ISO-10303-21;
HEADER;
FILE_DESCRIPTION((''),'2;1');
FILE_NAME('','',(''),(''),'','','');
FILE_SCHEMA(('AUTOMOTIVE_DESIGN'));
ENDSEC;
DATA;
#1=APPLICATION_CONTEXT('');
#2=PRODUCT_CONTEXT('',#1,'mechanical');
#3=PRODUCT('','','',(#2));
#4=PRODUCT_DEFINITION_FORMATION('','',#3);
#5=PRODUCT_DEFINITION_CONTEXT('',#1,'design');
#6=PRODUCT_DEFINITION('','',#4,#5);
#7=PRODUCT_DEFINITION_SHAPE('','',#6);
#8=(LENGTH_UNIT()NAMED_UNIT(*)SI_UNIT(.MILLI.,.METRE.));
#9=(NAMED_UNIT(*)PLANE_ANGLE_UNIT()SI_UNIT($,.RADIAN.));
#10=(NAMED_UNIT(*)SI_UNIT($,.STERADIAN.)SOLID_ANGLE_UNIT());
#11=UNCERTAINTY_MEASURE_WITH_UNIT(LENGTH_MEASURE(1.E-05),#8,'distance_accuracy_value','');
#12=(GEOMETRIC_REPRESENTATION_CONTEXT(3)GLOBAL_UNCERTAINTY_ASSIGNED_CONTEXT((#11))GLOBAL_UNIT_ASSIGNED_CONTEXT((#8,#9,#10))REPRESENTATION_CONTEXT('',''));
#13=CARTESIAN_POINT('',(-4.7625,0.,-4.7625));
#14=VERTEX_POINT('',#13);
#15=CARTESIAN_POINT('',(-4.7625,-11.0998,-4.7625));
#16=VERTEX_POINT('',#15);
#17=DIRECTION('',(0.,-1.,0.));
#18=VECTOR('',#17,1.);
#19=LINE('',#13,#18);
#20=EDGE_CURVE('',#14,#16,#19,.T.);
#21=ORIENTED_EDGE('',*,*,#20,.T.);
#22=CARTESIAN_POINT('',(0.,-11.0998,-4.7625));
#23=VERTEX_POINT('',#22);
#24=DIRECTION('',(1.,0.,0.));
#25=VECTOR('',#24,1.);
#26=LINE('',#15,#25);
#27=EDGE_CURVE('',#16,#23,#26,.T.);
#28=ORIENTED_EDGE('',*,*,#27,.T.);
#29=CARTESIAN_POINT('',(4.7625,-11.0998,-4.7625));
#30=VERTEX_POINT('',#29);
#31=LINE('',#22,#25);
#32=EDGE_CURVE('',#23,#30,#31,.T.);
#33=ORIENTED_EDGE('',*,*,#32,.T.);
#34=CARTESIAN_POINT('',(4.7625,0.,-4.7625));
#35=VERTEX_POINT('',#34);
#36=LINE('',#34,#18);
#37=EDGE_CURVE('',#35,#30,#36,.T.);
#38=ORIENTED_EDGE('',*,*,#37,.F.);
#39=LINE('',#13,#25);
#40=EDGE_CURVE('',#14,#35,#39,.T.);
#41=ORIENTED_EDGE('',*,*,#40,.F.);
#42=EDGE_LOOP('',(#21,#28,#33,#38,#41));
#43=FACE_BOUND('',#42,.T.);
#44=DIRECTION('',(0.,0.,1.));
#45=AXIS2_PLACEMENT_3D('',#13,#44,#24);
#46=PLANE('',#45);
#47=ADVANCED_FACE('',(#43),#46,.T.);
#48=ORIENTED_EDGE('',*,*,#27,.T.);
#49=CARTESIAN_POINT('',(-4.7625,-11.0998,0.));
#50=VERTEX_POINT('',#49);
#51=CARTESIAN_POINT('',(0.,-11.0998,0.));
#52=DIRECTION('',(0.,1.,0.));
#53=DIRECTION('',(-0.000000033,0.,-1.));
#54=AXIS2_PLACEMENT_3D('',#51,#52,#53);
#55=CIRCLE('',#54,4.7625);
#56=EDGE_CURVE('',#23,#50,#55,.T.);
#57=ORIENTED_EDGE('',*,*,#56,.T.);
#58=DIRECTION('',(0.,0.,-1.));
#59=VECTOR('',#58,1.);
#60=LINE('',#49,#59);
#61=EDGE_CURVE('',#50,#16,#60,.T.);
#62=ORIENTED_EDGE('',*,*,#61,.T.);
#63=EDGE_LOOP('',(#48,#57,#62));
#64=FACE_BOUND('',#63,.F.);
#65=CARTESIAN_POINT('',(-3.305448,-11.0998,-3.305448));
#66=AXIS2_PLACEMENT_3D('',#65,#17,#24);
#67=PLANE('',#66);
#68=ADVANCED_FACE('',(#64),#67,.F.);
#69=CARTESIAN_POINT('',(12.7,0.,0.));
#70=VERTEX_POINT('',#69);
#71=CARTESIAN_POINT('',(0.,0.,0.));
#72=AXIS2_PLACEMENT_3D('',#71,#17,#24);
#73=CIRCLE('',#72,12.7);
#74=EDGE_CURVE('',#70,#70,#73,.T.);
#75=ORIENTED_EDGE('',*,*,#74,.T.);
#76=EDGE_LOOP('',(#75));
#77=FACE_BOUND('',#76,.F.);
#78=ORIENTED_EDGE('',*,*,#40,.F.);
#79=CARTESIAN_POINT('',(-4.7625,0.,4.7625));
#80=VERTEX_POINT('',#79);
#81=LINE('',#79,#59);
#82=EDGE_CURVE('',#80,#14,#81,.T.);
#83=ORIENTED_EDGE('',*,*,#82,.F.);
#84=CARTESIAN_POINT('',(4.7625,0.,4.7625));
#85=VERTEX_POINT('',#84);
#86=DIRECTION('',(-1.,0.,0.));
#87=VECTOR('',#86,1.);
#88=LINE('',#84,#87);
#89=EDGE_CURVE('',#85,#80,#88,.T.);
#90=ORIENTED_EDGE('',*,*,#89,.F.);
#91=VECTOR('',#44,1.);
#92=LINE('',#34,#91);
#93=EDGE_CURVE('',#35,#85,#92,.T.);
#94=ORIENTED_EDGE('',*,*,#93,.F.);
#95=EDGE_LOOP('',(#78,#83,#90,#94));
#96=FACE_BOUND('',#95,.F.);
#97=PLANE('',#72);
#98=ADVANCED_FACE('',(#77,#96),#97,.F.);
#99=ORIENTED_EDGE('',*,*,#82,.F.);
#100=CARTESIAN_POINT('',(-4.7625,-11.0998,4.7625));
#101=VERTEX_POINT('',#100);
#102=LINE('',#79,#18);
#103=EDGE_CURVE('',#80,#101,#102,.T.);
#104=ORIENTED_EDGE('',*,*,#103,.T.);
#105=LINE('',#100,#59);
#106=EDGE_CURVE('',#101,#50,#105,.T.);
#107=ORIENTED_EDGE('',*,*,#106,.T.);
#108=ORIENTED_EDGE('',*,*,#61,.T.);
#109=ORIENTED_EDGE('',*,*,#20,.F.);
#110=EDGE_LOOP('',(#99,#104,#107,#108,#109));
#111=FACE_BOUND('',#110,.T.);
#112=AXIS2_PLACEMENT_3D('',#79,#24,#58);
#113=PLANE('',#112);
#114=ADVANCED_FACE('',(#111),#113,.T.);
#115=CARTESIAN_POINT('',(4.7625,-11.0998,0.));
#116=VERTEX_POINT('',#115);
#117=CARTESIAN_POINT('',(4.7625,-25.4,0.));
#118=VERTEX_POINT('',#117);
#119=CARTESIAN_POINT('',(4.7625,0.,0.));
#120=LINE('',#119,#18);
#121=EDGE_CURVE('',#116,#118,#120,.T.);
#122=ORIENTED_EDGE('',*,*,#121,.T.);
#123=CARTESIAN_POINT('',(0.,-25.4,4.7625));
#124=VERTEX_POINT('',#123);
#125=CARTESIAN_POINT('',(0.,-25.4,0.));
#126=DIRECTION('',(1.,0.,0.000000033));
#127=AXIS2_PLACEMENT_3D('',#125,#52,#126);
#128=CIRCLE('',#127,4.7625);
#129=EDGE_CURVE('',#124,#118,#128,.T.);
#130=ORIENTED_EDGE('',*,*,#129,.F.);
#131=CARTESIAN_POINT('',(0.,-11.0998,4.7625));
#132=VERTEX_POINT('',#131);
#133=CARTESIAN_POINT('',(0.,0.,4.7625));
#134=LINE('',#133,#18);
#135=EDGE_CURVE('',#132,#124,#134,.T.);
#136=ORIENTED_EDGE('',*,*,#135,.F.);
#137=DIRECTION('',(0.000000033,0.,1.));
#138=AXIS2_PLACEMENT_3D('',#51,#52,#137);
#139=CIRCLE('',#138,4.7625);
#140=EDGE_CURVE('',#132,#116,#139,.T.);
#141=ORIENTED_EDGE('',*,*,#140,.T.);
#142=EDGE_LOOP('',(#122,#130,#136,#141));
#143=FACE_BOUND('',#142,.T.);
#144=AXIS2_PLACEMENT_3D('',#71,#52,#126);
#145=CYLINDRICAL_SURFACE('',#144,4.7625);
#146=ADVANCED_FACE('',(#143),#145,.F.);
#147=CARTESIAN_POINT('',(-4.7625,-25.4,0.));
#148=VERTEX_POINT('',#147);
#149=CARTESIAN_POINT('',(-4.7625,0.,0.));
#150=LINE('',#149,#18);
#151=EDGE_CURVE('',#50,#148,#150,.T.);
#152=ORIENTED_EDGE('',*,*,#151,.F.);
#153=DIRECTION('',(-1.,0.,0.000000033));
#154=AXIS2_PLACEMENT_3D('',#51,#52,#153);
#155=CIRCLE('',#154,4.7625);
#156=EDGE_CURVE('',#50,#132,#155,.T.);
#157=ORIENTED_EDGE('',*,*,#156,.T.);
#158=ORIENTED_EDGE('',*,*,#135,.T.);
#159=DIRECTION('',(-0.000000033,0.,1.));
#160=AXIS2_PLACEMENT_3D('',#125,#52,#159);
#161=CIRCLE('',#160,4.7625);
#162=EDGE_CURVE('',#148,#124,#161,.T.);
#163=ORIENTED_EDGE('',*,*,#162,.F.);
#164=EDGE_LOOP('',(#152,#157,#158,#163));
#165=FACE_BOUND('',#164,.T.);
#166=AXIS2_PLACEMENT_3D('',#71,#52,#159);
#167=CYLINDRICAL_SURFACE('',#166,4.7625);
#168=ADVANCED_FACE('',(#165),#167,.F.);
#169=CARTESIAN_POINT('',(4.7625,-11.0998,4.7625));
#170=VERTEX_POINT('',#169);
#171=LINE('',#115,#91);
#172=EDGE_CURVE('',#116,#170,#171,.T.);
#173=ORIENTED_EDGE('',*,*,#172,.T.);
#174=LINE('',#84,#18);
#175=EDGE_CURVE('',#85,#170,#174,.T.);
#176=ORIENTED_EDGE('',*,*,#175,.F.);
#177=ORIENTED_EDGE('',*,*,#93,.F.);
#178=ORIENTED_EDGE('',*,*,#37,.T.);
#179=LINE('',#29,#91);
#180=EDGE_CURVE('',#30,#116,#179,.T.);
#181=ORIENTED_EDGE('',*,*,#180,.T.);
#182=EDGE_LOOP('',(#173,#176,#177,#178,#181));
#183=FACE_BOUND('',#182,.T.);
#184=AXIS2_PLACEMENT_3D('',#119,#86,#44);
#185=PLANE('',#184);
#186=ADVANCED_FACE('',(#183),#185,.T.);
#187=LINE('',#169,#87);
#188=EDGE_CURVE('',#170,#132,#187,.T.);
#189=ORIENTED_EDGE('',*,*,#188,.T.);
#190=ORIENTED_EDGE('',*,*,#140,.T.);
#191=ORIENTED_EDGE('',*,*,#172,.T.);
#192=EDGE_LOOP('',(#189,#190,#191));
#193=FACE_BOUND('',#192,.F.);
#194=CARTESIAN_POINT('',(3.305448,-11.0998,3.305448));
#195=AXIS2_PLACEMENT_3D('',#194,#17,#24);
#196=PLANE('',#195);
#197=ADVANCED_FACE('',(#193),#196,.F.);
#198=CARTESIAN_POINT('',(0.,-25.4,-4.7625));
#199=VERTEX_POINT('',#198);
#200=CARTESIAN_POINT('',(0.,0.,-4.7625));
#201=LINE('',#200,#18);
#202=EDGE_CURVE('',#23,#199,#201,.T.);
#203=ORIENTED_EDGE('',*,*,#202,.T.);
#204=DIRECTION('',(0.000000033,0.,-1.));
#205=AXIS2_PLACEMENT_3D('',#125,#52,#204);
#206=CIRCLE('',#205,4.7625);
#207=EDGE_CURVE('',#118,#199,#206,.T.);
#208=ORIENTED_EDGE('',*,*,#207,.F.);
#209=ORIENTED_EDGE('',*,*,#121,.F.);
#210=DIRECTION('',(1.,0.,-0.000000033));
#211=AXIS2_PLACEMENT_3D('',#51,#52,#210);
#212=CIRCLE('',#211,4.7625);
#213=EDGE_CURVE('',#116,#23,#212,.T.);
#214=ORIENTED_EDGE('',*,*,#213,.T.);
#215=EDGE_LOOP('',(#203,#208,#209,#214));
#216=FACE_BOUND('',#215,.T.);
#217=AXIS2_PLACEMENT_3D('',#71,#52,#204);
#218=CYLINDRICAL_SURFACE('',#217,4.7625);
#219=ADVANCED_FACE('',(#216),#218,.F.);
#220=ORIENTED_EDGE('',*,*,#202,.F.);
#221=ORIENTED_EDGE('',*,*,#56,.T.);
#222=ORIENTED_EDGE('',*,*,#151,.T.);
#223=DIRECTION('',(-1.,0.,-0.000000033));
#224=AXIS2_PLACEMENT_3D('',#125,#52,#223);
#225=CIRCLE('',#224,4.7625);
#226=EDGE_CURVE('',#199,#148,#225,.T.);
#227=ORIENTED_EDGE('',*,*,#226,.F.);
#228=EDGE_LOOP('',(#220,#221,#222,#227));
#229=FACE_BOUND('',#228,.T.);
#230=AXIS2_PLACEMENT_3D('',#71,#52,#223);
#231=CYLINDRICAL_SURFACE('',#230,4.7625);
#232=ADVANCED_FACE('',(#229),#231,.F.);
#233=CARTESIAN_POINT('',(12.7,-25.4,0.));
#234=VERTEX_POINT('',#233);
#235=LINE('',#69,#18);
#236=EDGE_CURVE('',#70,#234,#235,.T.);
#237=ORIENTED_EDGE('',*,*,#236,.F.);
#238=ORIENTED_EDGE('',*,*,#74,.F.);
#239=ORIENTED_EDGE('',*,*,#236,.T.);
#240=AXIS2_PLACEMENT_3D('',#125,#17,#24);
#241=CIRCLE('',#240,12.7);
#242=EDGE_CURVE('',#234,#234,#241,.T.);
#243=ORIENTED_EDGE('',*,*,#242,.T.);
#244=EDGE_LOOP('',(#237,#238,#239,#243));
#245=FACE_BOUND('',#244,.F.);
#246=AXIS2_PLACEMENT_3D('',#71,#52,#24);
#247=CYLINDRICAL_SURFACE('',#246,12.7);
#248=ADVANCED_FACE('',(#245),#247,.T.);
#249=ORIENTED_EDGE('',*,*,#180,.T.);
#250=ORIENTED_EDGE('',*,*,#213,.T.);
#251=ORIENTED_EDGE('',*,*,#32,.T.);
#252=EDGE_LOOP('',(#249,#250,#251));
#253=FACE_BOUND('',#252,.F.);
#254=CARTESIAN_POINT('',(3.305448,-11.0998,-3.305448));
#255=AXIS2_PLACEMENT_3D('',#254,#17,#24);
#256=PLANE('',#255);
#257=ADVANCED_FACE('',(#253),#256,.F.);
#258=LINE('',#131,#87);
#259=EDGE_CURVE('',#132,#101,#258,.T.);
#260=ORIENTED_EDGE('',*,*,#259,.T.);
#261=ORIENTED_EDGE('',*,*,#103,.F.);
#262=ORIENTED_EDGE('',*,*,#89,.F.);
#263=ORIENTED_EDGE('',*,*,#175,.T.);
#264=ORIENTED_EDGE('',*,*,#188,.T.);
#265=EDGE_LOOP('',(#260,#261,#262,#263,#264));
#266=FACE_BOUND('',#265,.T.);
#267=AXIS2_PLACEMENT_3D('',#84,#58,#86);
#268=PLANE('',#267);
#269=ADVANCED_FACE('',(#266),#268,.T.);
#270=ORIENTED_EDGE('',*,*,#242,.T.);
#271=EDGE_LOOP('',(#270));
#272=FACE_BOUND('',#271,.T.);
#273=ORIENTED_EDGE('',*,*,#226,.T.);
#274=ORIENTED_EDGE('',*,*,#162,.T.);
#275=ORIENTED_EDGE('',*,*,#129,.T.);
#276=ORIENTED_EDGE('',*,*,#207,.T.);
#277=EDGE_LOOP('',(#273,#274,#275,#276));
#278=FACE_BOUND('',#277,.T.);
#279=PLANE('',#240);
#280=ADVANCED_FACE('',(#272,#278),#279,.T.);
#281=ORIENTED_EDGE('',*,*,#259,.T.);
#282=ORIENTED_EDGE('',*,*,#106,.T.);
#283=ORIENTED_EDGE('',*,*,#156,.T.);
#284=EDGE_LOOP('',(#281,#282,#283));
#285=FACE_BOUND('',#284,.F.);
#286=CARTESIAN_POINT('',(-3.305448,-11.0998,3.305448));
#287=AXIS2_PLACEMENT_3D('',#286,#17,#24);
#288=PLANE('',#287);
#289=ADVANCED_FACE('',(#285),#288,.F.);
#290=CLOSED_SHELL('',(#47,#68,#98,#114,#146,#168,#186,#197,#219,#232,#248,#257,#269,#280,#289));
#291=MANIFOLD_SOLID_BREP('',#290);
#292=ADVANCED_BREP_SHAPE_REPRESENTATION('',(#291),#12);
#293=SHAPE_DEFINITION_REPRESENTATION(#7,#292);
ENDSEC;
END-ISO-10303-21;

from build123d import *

# Parameters (mm, degrees)
F0_R      = 12.7
F1_DEPTH  = 25.4
F1_FACE_R = 12.7
F3_DEPTH  = 25.4
F4_DEPTH  = 25.401
F5_DEPTH  = 11.0998


with BuildPart() as f1:
    # F0 (on Front) → F1 (new body)
    with BuildSketch(Plane.XZ):
        Circle(F0_R)
    extrude(amount=F1_DEPTH)

    # F1_face (on face) → F3 (cut)
    with BuildSketch(Plane.XZ.offset(25.4)):
        Circle(F1_FACE_R)
    extrude(amount=F3_DEPTH, mode=Mode.SUBTRACT)

    # F2 (on Front) → F4 (cut, through all)
    with BuildSketch(Plane.XZ):
        with BuildLine():
            ThreePointArc((4.7625, 0), (3.367596, 3.367596), (0, 4.7625))
            ThreePointArc((0, 4.7625), (-3.367596, 3.367596), (-4.7625, 0))
            ThreePointArc((-4.7625, 0), (-3.367596, -3.367596), (0, -4.7625))
            ThreePointArc((0, -4.7625), (3.367596, -3.367596), (4.7625, 0))
        make_face()
    extrude(amount=F4_DEPTH, mode=Mode.SUBTRACT)

    # F2 (on Front) → F5 (cut)
    with BuildSketch(Plane.XZ):
        with BuildLine():
            Line((4.7625, 0), (4.7625, 4.7625))
            Line((4.7625, 4.7625), (0, 4.7625))
            ThreePointArc((0, 4.7625), (3.367596, 3.367596), (4.7625, 0))
        make_face()
        with BuildLine():
            ThreePointArc((-4.7625, 0), (-3.367596, 3.367596), (0, 4.7625))
            Line((0, 4.7625), (-4.7625, 4.7625))
            Line((-4.7625, 4.7625), (-4.7625, 0))
        make_face()
        with BuildLine():
            Line((4.7625, -4.7625), (4.7625, 0))
            ThreePointArc((4.7625, 0), (3.367596, -3.367596), (0, -4.7625))
            Line((0, -4.7625), (4.7625, -4.7625))
        make_face()
        with BuildLine():
            ThreePointArc((0, -4.7625), (-3.367596, -3.367596), (-4.7625, 0))
            Line((-4.7625, 0), (-4.7625, -4.7625))
            Line((-4.7625, -4.7625), (0, -4.7625))
        make_face()
    extrude(amount=F5_DEPTH, mode=Mode.SUBTRACT)


solid = f1.part
